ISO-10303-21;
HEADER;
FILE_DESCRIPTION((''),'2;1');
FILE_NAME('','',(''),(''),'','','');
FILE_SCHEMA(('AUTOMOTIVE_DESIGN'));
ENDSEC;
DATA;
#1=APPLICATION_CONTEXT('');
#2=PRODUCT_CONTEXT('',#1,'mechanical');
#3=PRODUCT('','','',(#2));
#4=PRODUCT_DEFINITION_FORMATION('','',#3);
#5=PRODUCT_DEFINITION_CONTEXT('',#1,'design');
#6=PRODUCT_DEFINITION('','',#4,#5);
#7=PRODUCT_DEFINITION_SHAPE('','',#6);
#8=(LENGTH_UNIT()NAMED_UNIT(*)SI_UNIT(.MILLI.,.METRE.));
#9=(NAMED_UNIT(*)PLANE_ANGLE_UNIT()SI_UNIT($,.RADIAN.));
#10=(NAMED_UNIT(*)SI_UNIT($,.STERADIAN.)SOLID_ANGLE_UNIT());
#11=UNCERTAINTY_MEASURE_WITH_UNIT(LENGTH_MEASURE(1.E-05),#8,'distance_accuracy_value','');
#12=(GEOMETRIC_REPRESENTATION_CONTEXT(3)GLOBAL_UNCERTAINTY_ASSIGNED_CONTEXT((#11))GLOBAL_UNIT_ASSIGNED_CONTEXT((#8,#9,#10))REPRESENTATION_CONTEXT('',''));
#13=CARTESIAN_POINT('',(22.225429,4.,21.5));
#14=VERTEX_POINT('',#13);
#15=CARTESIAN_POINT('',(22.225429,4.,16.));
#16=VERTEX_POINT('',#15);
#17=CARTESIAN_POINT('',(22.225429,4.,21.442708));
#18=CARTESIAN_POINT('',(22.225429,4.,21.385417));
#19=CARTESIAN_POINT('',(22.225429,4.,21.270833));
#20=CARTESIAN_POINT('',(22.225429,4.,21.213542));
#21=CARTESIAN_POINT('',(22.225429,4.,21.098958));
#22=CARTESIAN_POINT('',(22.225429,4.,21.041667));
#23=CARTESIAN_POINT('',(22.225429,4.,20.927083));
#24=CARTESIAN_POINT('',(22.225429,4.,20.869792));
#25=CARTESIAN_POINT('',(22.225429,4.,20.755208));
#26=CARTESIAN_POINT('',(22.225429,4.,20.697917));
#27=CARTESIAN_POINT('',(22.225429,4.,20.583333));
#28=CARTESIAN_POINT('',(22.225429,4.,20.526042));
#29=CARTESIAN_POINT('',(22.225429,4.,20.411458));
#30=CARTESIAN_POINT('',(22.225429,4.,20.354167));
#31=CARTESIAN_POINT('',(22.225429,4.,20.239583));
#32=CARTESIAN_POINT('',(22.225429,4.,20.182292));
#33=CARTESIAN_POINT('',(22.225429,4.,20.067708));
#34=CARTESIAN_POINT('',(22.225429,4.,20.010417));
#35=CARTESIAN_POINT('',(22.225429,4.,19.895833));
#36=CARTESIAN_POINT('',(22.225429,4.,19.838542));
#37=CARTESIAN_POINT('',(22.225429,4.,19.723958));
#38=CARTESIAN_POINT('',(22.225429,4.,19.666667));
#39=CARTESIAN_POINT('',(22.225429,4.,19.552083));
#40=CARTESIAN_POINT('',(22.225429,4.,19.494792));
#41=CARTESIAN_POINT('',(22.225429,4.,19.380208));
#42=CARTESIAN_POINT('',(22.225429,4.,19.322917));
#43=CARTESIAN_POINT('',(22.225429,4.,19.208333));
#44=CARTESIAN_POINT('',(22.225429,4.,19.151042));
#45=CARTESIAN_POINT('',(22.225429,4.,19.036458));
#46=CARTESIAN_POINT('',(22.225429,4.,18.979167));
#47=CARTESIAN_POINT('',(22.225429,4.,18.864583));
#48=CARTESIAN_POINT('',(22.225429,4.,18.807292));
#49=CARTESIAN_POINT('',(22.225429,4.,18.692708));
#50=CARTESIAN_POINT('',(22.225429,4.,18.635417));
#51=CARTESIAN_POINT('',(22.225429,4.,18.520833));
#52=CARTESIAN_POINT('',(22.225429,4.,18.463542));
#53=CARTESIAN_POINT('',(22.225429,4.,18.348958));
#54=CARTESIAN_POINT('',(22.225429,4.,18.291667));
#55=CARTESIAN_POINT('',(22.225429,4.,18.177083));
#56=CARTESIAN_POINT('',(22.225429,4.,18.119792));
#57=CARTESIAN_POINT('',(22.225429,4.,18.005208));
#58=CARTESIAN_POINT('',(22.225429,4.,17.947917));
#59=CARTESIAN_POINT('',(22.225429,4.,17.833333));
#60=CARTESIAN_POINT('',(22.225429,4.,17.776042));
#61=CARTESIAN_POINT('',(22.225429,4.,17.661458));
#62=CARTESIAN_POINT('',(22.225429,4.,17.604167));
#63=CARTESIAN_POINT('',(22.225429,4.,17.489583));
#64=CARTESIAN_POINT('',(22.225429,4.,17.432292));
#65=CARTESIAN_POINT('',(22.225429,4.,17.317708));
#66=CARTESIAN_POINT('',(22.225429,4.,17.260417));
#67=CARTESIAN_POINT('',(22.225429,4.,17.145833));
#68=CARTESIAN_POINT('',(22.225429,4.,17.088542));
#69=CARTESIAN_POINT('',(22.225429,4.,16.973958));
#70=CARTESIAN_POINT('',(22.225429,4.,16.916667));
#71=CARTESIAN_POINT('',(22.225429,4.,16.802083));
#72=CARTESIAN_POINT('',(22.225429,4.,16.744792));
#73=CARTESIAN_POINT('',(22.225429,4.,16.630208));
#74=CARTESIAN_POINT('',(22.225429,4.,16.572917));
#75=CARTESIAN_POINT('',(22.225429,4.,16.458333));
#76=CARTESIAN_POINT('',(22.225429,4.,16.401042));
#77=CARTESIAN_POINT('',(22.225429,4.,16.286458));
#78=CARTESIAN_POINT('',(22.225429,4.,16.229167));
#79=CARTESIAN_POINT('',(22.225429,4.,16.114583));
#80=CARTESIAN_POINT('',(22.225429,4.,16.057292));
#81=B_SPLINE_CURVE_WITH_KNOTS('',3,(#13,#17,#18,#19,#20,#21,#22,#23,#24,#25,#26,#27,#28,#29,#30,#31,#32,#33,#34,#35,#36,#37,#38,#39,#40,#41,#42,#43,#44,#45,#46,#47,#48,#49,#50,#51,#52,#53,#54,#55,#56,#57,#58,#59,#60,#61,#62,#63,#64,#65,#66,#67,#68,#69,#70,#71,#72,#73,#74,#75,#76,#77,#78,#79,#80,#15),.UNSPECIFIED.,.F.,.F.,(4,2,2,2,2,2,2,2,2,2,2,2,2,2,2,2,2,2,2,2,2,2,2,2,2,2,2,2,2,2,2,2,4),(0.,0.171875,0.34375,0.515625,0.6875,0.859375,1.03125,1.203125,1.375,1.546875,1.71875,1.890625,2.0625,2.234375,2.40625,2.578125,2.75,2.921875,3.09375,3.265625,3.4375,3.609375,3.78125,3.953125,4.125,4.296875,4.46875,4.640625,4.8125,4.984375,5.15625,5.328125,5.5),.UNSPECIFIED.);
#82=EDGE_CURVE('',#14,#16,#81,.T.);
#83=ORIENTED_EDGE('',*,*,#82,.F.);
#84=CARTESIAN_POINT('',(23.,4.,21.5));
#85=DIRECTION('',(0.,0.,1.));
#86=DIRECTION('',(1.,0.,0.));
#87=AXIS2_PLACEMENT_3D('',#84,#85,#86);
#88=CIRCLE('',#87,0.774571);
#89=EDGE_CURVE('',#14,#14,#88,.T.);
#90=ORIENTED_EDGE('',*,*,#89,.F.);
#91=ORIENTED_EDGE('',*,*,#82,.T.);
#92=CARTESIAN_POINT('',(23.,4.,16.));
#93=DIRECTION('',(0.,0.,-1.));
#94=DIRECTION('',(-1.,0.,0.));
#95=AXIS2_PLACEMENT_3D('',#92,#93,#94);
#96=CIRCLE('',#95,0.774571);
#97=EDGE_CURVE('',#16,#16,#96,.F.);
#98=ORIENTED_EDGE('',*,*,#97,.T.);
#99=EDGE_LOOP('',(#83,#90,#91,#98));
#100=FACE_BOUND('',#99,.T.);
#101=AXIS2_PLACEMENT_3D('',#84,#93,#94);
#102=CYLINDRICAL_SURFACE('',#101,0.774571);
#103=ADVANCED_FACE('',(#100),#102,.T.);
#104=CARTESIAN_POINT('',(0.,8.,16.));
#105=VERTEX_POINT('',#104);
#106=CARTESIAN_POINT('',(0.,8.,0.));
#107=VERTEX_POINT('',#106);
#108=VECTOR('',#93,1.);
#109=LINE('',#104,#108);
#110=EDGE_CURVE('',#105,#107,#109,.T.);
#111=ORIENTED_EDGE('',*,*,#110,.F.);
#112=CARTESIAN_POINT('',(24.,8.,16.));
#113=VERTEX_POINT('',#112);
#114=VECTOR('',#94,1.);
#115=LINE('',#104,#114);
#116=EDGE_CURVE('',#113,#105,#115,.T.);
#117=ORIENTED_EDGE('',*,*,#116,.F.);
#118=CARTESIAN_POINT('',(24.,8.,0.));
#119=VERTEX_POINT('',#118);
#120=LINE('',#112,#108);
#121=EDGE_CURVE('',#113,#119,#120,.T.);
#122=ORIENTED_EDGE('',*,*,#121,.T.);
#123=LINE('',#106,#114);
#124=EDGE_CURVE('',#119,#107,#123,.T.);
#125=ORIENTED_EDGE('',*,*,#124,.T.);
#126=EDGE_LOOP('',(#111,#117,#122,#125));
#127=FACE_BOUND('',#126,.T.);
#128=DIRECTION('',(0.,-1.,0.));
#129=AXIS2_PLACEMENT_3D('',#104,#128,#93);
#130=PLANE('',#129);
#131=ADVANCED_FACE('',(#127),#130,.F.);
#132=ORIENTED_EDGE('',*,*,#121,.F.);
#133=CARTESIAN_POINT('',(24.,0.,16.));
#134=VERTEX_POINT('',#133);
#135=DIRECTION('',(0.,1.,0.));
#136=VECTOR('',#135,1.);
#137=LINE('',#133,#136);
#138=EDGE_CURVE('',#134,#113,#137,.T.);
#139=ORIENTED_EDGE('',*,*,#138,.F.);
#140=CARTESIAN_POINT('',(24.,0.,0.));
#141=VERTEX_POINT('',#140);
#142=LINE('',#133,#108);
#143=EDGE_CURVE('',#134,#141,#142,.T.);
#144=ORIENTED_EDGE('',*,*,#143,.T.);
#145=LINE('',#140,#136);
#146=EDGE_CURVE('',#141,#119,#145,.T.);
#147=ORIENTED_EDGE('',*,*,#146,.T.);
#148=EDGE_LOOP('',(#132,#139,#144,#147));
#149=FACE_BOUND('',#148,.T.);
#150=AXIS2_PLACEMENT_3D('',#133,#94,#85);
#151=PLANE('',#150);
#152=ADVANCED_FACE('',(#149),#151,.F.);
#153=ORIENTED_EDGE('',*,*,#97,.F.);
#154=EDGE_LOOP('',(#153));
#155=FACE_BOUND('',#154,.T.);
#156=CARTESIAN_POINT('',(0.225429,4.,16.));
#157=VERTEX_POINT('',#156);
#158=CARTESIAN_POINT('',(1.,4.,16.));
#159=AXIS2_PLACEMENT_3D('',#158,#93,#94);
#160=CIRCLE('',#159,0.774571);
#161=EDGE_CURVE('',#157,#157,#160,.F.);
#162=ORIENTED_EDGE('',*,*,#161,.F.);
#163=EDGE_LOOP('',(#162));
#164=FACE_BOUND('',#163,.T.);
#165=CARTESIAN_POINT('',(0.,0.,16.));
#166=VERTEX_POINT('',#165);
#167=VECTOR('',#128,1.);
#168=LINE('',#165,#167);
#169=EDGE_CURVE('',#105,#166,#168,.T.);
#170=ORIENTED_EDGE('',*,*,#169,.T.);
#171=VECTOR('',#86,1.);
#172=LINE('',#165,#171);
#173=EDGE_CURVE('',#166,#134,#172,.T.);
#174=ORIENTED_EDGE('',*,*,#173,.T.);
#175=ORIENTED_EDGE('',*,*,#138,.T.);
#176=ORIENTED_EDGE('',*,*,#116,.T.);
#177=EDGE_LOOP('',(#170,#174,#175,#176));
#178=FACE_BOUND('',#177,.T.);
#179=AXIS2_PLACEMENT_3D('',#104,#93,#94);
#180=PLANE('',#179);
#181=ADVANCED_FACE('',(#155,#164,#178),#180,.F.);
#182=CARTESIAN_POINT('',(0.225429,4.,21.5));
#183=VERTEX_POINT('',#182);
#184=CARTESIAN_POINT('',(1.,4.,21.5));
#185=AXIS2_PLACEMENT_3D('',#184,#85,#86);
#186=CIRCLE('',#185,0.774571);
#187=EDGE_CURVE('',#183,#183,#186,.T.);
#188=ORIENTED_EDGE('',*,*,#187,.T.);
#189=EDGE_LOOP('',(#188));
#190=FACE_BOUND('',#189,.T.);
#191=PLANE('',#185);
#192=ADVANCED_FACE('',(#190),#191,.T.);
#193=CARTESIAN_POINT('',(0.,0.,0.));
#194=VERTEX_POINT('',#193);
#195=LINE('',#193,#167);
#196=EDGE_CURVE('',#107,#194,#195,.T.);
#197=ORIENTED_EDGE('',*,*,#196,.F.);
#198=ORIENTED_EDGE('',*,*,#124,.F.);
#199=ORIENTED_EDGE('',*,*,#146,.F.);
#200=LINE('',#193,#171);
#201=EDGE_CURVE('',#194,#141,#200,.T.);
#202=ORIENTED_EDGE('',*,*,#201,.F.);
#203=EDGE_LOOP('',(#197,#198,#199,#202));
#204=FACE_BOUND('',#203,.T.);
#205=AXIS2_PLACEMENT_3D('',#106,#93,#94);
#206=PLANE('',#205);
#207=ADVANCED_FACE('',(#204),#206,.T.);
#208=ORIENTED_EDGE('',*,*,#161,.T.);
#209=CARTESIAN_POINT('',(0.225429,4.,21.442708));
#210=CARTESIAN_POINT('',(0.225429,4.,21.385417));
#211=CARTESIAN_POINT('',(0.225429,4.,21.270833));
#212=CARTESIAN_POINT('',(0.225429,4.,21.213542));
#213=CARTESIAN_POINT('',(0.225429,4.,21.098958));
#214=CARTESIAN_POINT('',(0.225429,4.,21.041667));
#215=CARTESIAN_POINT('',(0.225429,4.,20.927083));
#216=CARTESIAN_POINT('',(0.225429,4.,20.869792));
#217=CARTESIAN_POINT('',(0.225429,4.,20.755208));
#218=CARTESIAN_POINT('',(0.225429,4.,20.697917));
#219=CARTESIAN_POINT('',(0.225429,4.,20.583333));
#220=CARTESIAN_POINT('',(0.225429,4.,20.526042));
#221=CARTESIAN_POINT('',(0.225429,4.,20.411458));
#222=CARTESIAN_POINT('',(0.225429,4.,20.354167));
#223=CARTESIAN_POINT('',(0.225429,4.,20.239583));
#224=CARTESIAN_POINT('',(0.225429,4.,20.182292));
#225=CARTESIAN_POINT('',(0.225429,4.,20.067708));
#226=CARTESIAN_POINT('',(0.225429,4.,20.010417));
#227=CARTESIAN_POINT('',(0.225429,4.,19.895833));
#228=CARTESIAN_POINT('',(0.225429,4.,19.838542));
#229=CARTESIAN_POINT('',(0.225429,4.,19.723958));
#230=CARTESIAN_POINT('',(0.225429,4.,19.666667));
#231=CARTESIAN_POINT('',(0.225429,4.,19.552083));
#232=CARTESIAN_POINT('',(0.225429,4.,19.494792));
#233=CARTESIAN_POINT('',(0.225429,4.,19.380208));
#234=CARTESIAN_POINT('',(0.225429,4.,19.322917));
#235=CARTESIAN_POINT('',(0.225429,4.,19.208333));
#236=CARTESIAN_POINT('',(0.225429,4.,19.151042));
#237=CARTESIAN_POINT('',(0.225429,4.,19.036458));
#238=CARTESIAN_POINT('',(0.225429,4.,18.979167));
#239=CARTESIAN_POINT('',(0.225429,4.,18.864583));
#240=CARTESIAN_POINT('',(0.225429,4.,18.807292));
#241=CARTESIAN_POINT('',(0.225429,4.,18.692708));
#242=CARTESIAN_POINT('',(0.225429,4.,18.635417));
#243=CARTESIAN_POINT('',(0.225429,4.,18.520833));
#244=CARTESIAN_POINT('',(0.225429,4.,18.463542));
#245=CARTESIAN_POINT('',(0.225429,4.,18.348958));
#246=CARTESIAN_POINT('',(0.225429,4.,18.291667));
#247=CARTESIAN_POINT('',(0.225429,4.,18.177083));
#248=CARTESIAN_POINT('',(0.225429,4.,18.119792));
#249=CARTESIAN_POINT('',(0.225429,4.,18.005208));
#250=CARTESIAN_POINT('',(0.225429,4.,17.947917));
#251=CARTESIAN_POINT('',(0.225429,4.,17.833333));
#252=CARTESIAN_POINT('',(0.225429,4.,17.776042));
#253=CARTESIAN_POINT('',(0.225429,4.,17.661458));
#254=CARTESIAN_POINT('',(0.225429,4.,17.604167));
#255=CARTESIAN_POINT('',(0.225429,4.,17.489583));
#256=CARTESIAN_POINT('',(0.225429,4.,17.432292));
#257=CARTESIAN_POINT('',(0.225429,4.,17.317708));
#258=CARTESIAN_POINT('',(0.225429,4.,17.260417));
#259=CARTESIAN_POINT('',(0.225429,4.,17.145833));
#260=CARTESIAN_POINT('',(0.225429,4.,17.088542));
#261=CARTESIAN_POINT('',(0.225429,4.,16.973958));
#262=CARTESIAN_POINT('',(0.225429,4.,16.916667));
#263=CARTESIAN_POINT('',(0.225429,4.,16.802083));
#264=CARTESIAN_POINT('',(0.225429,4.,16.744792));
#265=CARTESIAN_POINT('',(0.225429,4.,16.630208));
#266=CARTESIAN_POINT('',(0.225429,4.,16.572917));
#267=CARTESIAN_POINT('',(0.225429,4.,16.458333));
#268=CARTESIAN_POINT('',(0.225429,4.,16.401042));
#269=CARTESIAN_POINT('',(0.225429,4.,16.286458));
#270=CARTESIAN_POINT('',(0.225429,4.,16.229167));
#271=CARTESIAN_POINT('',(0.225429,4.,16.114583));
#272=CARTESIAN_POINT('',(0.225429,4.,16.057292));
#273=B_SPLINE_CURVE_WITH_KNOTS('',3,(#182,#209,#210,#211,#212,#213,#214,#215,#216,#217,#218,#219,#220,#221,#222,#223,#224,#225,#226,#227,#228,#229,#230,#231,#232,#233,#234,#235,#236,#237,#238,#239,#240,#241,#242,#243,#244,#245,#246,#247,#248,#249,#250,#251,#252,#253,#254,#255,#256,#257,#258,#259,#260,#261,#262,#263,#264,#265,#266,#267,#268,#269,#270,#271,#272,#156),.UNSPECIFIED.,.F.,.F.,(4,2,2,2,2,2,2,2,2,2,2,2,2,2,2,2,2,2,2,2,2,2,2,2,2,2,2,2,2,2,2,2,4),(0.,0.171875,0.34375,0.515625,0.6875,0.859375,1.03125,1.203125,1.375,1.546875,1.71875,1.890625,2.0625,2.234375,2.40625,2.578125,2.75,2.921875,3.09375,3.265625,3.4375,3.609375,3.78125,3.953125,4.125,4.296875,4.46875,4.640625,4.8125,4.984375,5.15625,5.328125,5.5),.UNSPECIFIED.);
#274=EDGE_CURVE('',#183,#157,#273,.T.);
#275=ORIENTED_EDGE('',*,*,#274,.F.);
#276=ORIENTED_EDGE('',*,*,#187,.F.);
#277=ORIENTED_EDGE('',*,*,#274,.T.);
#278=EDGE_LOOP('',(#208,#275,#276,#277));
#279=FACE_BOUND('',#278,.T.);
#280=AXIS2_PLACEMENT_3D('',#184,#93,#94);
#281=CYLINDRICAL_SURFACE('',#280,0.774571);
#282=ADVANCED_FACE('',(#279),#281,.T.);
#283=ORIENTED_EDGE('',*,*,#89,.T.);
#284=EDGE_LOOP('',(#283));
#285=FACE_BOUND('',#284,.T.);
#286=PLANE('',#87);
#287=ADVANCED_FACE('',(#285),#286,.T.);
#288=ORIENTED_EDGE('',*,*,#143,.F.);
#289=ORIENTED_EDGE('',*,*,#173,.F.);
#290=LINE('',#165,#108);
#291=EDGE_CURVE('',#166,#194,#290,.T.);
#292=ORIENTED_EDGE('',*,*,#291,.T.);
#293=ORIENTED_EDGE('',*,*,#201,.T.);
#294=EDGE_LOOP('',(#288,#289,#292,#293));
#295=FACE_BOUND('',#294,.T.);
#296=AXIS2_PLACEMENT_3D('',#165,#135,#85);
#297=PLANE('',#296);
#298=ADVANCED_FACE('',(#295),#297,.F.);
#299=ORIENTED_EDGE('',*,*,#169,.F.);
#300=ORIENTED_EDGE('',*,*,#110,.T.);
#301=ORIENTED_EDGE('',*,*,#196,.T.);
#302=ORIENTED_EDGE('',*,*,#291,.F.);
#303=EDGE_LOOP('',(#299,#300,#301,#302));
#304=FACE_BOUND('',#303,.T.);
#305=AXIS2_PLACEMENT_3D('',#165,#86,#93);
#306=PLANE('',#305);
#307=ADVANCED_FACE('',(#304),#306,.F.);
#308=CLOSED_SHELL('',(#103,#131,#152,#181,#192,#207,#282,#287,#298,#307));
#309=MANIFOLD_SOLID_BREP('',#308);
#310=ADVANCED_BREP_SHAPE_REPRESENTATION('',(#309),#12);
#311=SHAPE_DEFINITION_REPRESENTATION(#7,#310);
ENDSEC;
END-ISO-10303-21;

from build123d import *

# Parameters (mm, degrees)
SKETCH_1_W      = 24
SKETCH_1_H      = 8
EXTRUDE_1_DEPTH = 16
SKETCH_2_R      = 0.77457148
EXTRUDE_2_DEPTH = 5.5


with BuildPart() as part:
    # Эскиз1 → Вытянуть1 (new body)
    with BuildSketch(Plane.XY):
        with Locations((12, 4)):
            Rectangle(SKETCH_1_W, SKETCH_1_H)
    extrude(amount=EXTRUDE_1_DEPTH)

    # Эскиз2 → Вытянуть2 (add)
    with BuildSketch(Plane.XY.offset(16)):
        with Locations(Location((1, 4, 0), (0, 0, 180))):
            Circle(SKETCH_2_R)
        with Locations(Location((23, 4, 0), (0, 0, 180))):
            Circle(SKETCH_2_R)
    extrude(amount=EXTRUDE_2_DEPTH)


solid = part.part
